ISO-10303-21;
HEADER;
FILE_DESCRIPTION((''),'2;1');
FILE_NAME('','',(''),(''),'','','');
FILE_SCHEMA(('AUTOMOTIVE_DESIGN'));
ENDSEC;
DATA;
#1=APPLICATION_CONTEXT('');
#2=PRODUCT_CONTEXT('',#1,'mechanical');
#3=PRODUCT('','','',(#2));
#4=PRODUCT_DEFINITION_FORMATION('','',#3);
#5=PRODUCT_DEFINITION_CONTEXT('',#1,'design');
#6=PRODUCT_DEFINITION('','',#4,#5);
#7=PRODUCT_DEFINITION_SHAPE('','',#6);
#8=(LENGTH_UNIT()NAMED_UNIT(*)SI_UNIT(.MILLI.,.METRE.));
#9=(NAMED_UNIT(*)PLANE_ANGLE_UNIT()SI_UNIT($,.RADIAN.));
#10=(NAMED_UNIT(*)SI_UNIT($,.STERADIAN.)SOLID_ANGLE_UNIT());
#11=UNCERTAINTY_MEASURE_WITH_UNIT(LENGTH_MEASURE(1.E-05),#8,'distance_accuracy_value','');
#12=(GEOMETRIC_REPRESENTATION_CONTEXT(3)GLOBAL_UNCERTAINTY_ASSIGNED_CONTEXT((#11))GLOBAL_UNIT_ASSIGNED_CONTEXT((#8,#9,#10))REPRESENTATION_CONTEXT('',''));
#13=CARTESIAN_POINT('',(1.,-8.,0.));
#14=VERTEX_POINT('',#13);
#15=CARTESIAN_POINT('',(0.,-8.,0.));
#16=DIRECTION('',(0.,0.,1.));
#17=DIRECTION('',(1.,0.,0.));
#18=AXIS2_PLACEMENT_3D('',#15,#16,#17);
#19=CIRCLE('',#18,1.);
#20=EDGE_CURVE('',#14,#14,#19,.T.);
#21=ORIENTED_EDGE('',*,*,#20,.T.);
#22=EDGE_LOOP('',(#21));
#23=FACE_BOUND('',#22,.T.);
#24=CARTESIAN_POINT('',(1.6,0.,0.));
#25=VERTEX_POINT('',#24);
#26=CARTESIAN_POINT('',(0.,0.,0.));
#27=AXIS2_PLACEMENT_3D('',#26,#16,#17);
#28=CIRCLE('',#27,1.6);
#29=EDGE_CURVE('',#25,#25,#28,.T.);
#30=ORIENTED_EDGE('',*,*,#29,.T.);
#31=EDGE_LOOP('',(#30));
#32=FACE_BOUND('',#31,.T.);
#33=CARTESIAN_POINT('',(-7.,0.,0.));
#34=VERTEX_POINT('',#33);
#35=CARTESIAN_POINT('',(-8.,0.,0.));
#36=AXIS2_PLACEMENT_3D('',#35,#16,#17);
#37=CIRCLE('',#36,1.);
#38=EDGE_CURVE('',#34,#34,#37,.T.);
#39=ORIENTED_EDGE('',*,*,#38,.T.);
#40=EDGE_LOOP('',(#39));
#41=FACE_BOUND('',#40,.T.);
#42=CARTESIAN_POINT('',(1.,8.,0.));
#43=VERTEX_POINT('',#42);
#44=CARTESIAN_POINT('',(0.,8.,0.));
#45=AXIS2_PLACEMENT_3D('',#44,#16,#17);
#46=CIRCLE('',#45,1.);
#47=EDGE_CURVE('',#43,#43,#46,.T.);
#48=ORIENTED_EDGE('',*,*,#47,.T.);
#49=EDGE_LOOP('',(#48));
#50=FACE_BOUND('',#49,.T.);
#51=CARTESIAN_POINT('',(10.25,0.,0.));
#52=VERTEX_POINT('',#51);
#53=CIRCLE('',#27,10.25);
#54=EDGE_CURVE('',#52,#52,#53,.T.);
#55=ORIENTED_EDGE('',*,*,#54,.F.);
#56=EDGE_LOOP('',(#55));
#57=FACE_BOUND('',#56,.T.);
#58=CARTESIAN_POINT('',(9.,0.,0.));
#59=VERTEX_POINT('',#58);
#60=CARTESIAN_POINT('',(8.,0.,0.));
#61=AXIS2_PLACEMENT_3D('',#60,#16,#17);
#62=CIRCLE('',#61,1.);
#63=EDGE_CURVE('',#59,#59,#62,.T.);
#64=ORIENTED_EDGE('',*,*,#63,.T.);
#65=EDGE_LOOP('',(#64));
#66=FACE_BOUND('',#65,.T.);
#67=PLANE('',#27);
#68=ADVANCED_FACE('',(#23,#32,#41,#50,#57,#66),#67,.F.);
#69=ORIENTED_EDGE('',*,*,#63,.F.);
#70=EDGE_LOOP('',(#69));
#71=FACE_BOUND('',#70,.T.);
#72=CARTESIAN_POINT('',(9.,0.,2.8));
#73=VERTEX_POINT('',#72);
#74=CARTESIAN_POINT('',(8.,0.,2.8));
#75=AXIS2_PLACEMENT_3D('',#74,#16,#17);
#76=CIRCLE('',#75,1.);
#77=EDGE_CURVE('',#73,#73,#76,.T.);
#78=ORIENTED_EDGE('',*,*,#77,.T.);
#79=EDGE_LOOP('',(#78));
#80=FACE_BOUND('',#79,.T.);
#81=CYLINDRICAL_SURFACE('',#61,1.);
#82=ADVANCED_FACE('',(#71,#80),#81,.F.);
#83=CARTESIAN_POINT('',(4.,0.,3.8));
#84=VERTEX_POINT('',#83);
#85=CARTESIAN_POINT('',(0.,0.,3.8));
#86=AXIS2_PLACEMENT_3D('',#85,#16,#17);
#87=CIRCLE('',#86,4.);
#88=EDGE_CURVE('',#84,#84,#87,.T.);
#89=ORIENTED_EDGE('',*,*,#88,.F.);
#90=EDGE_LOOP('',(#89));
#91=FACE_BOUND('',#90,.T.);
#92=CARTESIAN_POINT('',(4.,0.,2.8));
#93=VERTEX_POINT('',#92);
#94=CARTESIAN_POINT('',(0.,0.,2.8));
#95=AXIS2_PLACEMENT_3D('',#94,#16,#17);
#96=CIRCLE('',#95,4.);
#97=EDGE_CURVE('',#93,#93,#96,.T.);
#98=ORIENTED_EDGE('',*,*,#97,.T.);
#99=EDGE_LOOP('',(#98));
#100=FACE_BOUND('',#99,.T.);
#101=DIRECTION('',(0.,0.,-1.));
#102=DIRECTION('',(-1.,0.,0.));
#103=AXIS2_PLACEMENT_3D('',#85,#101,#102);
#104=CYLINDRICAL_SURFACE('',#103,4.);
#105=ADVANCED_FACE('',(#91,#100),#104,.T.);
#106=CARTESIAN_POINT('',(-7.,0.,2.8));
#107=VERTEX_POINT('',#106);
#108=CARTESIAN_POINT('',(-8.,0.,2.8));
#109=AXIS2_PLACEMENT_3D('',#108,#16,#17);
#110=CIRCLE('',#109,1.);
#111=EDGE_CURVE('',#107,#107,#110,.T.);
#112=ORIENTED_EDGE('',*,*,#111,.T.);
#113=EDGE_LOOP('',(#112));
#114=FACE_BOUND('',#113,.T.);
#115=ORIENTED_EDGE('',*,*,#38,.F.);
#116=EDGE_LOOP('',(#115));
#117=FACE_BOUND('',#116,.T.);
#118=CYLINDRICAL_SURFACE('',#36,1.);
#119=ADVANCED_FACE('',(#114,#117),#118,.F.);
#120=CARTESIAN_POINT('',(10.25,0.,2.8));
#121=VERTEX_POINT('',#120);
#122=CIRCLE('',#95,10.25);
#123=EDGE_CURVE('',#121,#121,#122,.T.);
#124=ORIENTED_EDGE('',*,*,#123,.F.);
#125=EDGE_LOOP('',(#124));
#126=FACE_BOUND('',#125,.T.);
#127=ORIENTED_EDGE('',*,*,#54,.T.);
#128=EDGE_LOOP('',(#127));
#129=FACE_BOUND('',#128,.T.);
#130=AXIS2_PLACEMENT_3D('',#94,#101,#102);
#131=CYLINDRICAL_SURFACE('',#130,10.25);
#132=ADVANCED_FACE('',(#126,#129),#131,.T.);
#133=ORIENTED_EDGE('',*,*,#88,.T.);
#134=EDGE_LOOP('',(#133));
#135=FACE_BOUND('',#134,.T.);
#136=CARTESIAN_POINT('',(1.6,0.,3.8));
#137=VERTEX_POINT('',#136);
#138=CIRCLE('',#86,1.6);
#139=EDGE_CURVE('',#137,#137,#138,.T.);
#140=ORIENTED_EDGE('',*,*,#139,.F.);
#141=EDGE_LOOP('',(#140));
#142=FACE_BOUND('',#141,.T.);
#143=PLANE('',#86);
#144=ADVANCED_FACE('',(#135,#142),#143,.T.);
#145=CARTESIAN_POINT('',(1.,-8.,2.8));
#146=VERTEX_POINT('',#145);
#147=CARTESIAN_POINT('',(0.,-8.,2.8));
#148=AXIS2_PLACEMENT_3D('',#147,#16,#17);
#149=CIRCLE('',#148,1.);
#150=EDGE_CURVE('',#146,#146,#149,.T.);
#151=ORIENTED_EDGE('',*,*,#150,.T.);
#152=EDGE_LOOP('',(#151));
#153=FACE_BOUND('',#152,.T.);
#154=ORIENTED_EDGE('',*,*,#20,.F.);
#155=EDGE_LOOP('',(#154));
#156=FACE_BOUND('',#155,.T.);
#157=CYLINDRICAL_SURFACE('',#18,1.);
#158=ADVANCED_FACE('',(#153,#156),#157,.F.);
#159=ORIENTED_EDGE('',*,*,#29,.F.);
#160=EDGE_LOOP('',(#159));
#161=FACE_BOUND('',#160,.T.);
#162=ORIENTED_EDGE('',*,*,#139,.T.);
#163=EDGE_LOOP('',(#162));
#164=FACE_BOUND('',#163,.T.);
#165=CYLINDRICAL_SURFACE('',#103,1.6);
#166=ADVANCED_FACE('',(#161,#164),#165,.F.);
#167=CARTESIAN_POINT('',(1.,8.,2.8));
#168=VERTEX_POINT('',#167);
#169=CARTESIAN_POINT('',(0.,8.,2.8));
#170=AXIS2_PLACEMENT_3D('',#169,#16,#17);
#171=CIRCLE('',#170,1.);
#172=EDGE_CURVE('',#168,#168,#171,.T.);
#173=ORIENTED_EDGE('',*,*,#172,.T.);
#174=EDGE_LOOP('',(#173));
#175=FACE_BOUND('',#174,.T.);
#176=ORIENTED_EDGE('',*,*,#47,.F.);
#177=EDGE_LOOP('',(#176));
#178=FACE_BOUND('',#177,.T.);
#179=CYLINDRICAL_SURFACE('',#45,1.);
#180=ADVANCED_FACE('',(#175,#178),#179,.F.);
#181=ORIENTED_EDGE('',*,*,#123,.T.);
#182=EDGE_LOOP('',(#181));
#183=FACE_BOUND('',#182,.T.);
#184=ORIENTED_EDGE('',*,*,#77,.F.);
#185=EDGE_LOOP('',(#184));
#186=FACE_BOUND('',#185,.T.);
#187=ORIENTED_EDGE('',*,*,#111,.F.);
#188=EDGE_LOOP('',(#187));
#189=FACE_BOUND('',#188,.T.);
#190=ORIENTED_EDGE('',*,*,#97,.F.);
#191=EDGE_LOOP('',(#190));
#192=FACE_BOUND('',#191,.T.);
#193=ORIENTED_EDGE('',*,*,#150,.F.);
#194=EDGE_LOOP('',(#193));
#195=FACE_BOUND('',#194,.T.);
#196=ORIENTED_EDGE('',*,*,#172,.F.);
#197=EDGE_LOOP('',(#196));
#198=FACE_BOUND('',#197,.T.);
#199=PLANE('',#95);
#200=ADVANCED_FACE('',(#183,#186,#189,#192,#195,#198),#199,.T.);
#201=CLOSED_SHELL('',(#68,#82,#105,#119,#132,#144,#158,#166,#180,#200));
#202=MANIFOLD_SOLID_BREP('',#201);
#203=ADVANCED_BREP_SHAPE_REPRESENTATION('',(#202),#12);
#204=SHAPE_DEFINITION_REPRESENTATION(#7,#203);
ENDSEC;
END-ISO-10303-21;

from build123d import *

# Parameters (mm, degrees)
SKETCH1_R           = 10.25
SKETCH1_R_2         = 4
BOSS_EXTRUDE1_DEPTH = 2.8
SKETCH1_3_R         = 4
SKETCH1_3_R_2       = 1.6
BOSS_EXTRUDE2_DEPTH = 3.8
SKETCH2_R           = 1
CUT_EXTRUDE1_DEPTH  = 2.8


with BuildPart() as part:
    # Sketch1 → Boss-Extrude1 (new body)
    with BuildSketch(Plane.XY):
        Circle(SKETCH1_R)
        Circle(SKETCH1_R_2, mode=Mode.SUBTRACT)
    extrude(amount=BOSS_EXTRUDE1_DEPTH)

    # Sketch1<3> → Boss-Extrude2 (add)
    with BuildSketch(Plane.XY):
        Circle(SKETCH1_3_R)
        Circle(SKETCH1_3_R_2, mode=Mode.SUBTRACT)
    extrude(amount=BOSS_EXTRUDE2_DEPTH)

    # Sketch2 → Cut-Extrude1 (cut)
    with BuildSketch(Plane.XY.offset(2.8)):
        with Locations((0, 8)):
            Circle(SKETCH2_R)
        with Locations((8, 0)):
            Circle(SKETCH2_R)
        with Locations((0, -8)):
            Circle(SKETCH2_R)
        with Locations((-8, 0)):
            Circle(SKETCH2_R)
    extrude(amount=-CUT_EXTRUDE1_DEPTH, mode=Mode.SUBTRACT)


solid = part.part
